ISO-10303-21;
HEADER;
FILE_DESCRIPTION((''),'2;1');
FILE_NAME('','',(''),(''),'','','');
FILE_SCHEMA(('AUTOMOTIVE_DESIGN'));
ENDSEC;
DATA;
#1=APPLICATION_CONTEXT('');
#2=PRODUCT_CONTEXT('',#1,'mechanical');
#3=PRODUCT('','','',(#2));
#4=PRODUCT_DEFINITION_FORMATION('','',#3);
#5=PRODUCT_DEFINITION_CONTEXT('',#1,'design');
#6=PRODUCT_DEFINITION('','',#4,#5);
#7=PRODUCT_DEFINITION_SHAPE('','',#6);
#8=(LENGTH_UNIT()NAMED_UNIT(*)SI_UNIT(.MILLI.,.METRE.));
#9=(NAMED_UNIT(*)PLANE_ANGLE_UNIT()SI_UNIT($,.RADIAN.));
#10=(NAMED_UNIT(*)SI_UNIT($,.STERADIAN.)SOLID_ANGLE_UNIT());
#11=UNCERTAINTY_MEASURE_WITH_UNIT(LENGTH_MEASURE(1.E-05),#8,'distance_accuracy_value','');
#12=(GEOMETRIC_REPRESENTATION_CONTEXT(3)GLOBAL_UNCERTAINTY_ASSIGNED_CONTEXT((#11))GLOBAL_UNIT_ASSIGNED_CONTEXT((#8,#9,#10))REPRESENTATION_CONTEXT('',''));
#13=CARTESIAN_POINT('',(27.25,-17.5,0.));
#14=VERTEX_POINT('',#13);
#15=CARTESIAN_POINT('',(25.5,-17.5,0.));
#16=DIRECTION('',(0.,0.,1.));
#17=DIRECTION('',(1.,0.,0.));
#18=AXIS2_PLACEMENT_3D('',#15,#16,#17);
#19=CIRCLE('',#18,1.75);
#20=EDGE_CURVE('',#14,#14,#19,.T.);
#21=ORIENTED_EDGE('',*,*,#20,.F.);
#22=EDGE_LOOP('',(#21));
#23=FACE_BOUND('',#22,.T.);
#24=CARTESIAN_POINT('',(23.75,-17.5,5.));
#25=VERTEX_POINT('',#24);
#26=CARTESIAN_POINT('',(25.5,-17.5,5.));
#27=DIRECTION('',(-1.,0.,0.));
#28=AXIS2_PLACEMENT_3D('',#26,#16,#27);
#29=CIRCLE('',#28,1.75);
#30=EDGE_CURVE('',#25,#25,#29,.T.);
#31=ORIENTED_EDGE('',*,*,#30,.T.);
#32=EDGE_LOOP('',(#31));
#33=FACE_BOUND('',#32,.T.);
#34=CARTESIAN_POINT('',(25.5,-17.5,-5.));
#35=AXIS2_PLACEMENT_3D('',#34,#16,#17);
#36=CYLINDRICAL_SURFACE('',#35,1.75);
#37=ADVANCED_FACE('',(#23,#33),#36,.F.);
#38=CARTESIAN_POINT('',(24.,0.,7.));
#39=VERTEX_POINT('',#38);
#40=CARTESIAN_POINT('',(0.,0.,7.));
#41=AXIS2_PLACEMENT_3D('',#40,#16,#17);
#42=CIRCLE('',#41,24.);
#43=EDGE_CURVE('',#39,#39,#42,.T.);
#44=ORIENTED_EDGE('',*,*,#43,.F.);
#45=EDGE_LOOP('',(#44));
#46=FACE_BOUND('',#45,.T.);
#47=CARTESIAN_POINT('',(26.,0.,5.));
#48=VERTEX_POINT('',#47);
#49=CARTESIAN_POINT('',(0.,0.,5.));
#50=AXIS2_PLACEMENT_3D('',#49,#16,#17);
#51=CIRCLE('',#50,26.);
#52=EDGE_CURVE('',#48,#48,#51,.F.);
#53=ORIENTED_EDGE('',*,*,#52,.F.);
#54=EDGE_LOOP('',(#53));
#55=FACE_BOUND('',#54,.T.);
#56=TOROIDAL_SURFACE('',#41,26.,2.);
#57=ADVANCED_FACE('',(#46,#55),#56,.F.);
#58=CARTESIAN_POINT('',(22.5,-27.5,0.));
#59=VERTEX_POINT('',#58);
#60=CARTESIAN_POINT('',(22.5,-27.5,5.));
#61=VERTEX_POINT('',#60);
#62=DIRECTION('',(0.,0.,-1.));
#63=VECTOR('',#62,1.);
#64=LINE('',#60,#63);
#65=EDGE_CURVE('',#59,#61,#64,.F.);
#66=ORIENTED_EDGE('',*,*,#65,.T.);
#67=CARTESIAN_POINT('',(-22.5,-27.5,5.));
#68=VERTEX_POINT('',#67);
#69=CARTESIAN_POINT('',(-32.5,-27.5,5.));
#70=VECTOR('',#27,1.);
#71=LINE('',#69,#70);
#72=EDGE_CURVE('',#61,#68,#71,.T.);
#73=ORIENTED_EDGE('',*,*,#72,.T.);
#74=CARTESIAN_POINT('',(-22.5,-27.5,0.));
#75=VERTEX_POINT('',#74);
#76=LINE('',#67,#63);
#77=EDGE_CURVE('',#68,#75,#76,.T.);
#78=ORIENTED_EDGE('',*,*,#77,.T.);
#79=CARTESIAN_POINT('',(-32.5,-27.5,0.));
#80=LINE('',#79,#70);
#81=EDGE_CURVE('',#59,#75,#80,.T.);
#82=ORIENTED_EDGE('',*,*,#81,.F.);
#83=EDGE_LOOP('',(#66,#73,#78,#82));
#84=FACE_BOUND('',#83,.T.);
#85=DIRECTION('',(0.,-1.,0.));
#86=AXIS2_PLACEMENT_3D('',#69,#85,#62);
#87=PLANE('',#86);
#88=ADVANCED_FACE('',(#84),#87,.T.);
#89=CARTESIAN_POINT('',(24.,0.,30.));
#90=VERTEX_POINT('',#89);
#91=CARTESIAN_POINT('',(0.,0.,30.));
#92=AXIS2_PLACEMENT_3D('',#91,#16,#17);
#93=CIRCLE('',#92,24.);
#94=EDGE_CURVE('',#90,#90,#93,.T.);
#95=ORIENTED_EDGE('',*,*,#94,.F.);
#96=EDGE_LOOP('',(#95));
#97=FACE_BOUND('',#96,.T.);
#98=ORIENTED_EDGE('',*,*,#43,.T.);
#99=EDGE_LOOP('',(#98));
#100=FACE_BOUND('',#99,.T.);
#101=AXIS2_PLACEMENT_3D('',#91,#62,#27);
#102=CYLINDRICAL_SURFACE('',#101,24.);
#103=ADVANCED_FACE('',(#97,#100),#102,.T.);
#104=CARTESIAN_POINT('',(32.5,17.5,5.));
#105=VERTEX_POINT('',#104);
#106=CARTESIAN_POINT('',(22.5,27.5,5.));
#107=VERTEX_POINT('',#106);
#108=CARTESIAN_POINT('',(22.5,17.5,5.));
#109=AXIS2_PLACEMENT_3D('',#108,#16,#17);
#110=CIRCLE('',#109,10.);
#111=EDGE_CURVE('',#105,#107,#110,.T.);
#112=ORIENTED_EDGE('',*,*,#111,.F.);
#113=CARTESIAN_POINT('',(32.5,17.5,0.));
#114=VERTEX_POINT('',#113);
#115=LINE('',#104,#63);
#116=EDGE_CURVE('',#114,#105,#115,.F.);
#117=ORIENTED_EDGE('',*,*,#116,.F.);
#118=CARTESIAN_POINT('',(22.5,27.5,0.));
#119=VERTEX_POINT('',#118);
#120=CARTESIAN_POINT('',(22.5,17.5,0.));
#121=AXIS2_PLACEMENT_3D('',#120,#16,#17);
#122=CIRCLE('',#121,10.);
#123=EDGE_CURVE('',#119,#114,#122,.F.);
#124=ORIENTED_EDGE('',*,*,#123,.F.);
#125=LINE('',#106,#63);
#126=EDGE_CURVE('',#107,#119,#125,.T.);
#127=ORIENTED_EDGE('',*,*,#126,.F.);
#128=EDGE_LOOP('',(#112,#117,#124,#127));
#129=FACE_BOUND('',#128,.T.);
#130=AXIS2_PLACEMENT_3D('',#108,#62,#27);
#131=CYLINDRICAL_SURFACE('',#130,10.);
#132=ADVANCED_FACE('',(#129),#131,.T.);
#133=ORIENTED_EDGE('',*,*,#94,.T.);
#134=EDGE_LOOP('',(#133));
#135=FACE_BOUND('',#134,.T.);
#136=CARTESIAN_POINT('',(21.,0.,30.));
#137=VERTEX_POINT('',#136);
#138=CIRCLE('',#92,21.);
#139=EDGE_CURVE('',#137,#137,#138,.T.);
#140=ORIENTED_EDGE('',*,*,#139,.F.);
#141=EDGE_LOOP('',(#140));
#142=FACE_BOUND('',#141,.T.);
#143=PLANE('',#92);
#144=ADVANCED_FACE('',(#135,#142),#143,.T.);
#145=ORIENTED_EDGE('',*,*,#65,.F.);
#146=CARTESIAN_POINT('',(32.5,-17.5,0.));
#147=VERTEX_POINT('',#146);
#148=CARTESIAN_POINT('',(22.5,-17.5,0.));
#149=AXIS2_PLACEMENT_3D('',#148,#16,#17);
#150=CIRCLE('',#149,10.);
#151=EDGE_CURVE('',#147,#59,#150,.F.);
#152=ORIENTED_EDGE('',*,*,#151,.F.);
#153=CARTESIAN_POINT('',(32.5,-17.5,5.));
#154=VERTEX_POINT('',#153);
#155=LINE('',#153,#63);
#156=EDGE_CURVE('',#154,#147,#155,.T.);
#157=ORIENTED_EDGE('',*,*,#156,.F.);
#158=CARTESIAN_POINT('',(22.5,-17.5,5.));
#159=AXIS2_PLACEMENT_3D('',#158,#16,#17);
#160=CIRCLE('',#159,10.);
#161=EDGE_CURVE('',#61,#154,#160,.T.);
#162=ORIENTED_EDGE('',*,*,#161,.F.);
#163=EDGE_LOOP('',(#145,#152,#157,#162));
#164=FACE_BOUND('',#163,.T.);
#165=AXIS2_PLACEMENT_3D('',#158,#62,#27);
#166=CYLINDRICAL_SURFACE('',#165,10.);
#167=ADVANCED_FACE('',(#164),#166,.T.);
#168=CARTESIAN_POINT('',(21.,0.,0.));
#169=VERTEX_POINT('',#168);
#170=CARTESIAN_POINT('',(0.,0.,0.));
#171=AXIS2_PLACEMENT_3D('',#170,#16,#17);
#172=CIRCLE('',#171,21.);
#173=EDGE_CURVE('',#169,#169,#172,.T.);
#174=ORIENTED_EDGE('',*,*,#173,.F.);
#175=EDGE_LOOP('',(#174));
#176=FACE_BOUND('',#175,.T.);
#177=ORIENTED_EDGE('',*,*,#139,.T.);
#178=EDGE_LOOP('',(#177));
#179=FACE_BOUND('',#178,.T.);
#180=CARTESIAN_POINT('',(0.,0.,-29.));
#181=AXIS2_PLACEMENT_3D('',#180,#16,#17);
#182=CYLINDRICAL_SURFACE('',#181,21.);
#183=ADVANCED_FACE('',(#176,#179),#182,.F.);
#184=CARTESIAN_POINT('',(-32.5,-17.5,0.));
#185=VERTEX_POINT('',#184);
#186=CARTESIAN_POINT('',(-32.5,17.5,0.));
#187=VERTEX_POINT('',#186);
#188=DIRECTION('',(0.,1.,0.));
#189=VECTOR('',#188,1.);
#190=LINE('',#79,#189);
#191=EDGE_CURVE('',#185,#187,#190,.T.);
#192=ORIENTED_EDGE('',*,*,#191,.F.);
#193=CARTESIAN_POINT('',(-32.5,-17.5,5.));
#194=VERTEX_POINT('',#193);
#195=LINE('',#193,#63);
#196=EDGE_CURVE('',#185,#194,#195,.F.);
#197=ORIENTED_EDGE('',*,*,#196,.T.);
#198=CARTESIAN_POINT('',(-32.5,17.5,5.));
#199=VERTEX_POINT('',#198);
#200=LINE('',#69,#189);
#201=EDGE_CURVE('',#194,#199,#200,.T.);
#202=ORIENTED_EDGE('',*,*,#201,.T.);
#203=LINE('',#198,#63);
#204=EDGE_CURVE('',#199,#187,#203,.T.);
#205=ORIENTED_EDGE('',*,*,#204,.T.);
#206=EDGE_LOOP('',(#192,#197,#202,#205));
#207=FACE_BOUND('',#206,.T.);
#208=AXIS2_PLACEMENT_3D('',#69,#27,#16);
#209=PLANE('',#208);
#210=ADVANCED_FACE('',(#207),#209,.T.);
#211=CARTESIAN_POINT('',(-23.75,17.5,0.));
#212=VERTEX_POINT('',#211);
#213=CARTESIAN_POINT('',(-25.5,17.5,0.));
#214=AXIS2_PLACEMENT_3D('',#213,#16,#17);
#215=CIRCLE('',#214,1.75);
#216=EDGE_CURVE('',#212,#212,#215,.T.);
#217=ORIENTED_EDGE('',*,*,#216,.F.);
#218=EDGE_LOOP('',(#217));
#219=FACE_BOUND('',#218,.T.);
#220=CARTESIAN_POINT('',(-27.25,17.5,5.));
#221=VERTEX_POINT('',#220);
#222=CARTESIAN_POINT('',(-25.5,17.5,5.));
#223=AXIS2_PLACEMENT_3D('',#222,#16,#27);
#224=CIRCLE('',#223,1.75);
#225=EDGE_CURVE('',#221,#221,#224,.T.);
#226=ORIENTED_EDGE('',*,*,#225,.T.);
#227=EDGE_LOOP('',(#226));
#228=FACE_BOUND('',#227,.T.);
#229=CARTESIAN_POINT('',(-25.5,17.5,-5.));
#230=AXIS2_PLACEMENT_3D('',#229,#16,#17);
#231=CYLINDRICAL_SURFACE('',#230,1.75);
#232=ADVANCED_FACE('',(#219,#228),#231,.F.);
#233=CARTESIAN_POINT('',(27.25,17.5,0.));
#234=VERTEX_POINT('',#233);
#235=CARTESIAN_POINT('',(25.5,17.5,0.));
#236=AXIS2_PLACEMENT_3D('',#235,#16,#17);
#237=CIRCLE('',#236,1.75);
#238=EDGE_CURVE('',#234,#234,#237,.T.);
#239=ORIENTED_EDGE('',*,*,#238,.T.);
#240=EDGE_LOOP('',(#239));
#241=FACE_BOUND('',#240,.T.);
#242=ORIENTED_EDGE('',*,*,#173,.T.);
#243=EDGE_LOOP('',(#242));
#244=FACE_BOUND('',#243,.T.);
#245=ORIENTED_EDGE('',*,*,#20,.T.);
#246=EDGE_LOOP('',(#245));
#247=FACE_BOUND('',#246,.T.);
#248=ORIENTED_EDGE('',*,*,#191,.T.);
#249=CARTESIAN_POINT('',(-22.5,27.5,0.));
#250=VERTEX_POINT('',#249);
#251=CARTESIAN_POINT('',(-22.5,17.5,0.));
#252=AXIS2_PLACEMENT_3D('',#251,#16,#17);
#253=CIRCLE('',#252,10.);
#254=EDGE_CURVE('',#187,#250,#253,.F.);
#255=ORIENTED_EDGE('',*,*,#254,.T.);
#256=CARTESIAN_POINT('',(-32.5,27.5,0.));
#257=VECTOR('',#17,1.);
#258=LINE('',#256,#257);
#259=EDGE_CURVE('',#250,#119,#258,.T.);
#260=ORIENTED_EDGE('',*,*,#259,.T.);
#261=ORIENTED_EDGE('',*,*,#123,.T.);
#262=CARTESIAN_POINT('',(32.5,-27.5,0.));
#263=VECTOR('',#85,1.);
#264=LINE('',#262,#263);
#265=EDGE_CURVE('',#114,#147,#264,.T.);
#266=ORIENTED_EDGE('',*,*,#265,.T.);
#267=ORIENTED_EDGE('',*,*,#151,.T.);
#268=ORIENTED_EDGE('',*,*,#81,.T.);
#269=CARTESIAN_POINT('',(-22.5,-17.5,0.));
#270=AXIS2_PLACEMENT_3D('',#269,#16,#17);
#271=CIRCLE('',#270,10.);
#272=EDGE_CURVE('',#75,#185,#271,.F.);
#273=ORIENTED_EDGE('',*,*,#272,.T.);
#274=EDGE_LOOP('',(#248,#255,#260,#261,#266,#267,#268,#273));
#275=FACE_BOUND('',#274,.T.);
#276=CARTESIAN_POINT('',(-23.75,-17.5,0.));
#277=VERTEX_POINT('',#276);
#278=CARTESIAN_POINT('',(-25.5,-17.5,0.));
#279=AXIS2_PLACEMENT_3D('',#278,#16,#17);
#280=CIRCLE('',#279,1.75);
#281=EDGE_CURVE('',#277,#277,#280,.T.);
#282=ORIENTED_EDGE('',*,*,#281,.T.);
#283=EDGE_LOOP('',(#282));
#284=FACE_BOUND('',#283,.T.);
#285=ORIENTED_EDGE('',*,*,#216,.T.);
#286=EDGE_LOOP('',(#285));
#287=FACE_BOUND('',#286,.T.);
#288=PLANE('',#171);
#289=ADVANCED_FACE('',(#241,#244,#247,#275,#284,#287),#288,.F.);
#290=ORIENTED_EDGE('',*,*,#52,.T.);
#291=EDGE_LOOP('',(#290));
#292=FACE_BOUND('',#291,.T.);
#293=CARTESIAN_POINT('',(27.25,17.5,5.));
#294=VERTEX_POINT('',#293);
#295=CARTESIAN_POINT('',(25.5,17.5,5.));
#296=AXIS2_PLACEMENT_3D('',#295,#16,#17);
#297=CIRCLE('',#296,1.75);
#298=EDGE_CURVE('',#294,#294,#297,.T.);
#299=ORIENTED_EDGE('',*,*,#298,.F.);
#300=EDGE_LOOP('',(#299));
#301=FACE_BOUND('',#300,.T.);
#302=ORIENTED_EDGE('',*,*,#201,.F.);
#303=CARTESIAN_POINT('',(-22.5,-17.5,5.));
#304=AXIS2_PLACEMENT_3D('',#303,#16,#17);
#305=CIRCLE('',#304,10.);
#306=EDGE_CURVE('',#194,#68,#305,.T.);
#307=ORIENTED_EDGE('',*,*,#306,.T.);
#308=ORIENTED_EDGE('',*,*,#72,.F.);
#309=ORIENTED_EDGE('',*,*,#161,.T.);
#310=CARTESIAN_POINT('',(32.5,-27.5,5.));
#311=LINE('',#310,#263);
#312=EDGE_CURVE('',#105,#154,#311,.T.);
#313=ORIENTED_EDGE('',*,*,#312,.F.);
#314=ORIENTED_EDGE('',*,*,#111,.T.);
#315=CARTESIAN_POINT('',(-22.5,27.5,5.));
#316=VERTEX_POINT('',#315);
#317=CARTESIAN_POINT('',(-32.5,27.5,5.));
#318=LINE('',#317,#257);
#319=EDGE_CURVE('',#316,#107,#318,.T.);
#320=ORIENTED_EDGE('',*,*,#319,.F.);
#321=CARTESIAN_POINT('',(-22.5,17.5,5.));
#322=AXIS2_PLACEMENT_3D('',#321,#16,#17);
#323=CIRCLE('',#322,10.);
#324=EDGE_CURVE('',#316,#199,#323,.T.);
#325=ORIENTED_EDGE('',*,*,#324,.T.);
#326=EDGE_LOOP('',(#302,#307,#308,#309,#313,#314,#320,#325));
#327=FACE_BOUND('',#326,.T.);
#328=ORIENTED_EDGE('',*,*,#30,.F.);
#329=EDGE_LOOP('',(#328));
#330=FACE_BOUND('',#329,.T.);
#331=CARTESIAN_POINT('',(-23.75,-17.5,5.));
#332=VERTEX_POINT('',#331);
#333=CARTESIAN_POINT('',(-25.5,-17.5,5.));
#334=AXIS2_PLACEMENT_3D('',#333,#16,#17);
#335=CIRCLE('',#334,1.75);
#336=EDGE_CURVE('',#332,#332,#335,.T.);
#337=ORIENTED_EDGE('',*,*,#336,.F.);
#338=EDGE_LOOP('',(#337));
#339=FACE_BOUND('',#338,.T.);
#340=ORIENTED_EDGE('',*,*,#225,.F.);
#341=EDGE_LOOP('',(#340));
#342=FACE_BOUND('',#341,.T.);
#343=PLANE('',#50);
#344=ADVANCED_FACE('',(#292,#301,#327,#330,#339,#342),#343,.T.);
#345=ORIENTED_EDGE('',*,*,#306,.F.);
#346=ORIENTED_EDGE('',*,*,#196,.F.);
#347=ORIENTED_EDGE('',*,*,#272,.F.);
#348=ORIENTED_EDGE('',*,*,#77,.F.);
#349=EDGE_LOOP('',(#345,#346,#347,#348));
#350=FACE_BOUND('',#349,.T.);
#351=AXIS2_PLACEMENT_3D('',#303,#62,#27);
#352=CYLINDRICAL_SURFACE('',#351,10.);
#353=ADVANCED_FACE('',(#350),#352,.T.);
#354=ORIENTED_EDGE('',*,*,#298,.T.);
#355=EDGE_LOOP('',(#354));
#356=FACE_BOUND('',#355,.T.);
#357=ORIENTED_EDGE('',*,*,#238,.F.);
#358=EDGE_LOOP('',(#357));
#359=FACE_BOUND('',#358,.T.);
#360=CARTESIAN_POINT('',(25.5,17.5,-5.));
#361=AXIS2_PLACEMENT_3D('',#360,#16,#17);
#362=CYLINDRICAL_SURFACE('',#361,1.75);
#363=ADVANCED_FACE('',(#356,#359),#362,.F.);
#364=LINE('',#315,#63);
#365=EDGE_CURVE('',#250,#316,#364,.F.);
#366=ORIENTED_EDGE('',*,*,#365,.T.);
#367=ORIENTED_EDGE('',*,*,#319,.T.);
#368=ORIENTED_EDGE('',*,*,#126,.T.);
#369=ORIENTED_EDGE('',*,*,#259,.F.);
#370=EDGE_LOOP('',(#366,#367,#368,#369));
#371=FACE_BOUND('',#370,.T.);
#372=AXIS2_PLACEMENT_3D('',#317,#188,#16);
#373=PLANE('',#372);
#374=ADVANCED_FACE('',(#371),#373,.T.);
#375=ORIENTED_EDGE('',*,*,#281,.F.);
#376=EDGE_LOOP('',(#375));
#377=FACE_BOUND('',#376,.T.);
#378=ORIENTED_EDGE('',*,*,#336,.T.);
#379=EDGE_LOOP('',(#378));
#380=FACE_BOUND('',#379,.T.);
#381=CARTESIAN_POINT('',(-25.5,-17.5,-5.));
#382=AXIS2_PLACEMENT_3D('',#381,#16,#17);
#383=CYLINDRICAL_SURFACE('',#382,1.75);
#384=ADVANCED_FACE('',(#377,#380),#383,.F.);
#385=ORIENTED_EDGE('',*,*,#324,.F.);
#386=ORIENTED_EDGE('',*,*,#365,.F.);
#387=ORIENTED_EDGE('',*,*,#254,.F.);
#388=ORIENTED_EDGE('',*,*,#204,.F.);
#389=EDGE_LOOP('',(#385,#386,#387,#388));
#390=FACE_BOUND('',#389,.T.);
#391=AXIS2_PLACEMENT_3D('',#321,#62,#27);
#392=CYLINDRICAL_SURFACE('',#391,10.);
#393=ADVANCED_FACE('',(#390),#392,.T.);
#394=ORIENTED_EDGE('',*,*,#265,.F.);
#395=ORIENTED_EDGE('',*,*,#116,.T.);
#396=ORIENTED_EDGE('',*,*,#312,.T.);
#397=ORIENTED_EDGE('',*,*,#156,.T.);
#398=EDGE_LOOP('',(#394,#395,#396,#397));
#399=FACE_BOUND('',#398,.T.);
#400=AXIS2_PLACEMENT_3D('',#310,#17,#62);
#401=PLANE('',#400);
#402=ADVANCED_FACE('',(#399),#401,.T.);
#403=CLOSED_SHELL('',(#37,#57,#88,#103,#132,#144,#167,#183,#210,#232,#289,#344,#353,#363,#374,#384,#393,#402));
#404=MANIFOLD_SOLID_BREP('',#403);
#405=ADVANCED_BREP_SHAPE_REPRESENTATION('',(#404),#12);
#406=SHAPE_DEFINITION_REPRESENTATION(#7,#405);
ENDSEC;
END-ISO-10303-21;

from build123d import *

# Parameters (mm, degrees)
SKETCH_1_R          = 27.5
EXTRUDE_1_DEPTH     = 5
SKETCH_2_R          = 24
EXTRUDE_2_DEPTH     = 25
SKETCH_4_W          = 65
SKETCH_4_H          = 55
EXTRUDE_3_DEPTH     = 5
SKETCH_5_R          = 21
CUT_EXTRUDE_1_DEPTH = 59
FILLET_1_R          = 10
SKETCH_6_R          = 1.75
CUT_EXTRUDE_2_DEPTH = 10
FILLET_2_R          = 2


with BuildPart() as part:
    # 草图1 → 凸台-拉伸1 (new body)
    with BuildSketch(Plane.XY):
        Circle(SKETCH_1_R)
    extrude(amount=EXTRUDE_1_DEPTH)

    # 草图2 → 凸台-拉伸2 (add)
    with BuildSketch(Plane.XY.offset(5)):
        Circle(SKETCH_2_R)
    extrude(amount=EXTRUDE_2_DEPTH)

    # 草图4 → 凸台-拉伸3 (add)
    with BuildSketch(Plane(origin=(0, 0, 0), x_dir=(-1, 0, 0), z_dir=(0, 0, -1))):
        Rectangle(SKETCH_4_W, SKETCH_4_H)
    extrude(amount=-EXTRUDE_3_DEPTH)

    # 草图5 → 切除-拉伸1 (cut)
    with BuildSketch(Plane.XY.offset(30)):
        Circle(SKETCH_5_R)
    extrude(amount=-CUT_EXTRUDE_1_DEPTH, mode=Mode.SUBTRACT)

    # 圆角1
    fillet_1_edges = [part.edges().sort_by_distance(p)[0] for p in [
        (32.5, 27.5, 2.5),
        (-32.5, -27.5, 2.5),
        (32.5, -27.5, 2.5),
        (-32.5, 27.5, 2.5),
    ]]
    fillet(fillet_1_edges, radius=FILLET_1_R)

    # 草图6 → 切除-拉伸2 (cut)
    with BuildSketch(Plane.XY.offset(5)):
        with Locations((-25.5, -17.5)):
            Circle(SKETCH_6_R)
        with Locations((-25.5, 17.5)):
            Circle(SKETCH_6_R)
        with Locations((25.5, 17.5)):
            Circle(SKETCH_6_R)
        with Locations((25.5, -17.5)):
            Circle(SKETCH_6_R)
    extrude(amount=-CUT_EXTRUDE_2_DEPTH, mode=Mode.SUBTRACT)

    # 圆角2
    fillet_2_edges = [part.edges().sort_by_distance(p)[0] for p in [
        (-24, 0, 5),
    ]]
    fillet(fillet_2_edges, radius=FILLET_2_R)


solid = part.part
